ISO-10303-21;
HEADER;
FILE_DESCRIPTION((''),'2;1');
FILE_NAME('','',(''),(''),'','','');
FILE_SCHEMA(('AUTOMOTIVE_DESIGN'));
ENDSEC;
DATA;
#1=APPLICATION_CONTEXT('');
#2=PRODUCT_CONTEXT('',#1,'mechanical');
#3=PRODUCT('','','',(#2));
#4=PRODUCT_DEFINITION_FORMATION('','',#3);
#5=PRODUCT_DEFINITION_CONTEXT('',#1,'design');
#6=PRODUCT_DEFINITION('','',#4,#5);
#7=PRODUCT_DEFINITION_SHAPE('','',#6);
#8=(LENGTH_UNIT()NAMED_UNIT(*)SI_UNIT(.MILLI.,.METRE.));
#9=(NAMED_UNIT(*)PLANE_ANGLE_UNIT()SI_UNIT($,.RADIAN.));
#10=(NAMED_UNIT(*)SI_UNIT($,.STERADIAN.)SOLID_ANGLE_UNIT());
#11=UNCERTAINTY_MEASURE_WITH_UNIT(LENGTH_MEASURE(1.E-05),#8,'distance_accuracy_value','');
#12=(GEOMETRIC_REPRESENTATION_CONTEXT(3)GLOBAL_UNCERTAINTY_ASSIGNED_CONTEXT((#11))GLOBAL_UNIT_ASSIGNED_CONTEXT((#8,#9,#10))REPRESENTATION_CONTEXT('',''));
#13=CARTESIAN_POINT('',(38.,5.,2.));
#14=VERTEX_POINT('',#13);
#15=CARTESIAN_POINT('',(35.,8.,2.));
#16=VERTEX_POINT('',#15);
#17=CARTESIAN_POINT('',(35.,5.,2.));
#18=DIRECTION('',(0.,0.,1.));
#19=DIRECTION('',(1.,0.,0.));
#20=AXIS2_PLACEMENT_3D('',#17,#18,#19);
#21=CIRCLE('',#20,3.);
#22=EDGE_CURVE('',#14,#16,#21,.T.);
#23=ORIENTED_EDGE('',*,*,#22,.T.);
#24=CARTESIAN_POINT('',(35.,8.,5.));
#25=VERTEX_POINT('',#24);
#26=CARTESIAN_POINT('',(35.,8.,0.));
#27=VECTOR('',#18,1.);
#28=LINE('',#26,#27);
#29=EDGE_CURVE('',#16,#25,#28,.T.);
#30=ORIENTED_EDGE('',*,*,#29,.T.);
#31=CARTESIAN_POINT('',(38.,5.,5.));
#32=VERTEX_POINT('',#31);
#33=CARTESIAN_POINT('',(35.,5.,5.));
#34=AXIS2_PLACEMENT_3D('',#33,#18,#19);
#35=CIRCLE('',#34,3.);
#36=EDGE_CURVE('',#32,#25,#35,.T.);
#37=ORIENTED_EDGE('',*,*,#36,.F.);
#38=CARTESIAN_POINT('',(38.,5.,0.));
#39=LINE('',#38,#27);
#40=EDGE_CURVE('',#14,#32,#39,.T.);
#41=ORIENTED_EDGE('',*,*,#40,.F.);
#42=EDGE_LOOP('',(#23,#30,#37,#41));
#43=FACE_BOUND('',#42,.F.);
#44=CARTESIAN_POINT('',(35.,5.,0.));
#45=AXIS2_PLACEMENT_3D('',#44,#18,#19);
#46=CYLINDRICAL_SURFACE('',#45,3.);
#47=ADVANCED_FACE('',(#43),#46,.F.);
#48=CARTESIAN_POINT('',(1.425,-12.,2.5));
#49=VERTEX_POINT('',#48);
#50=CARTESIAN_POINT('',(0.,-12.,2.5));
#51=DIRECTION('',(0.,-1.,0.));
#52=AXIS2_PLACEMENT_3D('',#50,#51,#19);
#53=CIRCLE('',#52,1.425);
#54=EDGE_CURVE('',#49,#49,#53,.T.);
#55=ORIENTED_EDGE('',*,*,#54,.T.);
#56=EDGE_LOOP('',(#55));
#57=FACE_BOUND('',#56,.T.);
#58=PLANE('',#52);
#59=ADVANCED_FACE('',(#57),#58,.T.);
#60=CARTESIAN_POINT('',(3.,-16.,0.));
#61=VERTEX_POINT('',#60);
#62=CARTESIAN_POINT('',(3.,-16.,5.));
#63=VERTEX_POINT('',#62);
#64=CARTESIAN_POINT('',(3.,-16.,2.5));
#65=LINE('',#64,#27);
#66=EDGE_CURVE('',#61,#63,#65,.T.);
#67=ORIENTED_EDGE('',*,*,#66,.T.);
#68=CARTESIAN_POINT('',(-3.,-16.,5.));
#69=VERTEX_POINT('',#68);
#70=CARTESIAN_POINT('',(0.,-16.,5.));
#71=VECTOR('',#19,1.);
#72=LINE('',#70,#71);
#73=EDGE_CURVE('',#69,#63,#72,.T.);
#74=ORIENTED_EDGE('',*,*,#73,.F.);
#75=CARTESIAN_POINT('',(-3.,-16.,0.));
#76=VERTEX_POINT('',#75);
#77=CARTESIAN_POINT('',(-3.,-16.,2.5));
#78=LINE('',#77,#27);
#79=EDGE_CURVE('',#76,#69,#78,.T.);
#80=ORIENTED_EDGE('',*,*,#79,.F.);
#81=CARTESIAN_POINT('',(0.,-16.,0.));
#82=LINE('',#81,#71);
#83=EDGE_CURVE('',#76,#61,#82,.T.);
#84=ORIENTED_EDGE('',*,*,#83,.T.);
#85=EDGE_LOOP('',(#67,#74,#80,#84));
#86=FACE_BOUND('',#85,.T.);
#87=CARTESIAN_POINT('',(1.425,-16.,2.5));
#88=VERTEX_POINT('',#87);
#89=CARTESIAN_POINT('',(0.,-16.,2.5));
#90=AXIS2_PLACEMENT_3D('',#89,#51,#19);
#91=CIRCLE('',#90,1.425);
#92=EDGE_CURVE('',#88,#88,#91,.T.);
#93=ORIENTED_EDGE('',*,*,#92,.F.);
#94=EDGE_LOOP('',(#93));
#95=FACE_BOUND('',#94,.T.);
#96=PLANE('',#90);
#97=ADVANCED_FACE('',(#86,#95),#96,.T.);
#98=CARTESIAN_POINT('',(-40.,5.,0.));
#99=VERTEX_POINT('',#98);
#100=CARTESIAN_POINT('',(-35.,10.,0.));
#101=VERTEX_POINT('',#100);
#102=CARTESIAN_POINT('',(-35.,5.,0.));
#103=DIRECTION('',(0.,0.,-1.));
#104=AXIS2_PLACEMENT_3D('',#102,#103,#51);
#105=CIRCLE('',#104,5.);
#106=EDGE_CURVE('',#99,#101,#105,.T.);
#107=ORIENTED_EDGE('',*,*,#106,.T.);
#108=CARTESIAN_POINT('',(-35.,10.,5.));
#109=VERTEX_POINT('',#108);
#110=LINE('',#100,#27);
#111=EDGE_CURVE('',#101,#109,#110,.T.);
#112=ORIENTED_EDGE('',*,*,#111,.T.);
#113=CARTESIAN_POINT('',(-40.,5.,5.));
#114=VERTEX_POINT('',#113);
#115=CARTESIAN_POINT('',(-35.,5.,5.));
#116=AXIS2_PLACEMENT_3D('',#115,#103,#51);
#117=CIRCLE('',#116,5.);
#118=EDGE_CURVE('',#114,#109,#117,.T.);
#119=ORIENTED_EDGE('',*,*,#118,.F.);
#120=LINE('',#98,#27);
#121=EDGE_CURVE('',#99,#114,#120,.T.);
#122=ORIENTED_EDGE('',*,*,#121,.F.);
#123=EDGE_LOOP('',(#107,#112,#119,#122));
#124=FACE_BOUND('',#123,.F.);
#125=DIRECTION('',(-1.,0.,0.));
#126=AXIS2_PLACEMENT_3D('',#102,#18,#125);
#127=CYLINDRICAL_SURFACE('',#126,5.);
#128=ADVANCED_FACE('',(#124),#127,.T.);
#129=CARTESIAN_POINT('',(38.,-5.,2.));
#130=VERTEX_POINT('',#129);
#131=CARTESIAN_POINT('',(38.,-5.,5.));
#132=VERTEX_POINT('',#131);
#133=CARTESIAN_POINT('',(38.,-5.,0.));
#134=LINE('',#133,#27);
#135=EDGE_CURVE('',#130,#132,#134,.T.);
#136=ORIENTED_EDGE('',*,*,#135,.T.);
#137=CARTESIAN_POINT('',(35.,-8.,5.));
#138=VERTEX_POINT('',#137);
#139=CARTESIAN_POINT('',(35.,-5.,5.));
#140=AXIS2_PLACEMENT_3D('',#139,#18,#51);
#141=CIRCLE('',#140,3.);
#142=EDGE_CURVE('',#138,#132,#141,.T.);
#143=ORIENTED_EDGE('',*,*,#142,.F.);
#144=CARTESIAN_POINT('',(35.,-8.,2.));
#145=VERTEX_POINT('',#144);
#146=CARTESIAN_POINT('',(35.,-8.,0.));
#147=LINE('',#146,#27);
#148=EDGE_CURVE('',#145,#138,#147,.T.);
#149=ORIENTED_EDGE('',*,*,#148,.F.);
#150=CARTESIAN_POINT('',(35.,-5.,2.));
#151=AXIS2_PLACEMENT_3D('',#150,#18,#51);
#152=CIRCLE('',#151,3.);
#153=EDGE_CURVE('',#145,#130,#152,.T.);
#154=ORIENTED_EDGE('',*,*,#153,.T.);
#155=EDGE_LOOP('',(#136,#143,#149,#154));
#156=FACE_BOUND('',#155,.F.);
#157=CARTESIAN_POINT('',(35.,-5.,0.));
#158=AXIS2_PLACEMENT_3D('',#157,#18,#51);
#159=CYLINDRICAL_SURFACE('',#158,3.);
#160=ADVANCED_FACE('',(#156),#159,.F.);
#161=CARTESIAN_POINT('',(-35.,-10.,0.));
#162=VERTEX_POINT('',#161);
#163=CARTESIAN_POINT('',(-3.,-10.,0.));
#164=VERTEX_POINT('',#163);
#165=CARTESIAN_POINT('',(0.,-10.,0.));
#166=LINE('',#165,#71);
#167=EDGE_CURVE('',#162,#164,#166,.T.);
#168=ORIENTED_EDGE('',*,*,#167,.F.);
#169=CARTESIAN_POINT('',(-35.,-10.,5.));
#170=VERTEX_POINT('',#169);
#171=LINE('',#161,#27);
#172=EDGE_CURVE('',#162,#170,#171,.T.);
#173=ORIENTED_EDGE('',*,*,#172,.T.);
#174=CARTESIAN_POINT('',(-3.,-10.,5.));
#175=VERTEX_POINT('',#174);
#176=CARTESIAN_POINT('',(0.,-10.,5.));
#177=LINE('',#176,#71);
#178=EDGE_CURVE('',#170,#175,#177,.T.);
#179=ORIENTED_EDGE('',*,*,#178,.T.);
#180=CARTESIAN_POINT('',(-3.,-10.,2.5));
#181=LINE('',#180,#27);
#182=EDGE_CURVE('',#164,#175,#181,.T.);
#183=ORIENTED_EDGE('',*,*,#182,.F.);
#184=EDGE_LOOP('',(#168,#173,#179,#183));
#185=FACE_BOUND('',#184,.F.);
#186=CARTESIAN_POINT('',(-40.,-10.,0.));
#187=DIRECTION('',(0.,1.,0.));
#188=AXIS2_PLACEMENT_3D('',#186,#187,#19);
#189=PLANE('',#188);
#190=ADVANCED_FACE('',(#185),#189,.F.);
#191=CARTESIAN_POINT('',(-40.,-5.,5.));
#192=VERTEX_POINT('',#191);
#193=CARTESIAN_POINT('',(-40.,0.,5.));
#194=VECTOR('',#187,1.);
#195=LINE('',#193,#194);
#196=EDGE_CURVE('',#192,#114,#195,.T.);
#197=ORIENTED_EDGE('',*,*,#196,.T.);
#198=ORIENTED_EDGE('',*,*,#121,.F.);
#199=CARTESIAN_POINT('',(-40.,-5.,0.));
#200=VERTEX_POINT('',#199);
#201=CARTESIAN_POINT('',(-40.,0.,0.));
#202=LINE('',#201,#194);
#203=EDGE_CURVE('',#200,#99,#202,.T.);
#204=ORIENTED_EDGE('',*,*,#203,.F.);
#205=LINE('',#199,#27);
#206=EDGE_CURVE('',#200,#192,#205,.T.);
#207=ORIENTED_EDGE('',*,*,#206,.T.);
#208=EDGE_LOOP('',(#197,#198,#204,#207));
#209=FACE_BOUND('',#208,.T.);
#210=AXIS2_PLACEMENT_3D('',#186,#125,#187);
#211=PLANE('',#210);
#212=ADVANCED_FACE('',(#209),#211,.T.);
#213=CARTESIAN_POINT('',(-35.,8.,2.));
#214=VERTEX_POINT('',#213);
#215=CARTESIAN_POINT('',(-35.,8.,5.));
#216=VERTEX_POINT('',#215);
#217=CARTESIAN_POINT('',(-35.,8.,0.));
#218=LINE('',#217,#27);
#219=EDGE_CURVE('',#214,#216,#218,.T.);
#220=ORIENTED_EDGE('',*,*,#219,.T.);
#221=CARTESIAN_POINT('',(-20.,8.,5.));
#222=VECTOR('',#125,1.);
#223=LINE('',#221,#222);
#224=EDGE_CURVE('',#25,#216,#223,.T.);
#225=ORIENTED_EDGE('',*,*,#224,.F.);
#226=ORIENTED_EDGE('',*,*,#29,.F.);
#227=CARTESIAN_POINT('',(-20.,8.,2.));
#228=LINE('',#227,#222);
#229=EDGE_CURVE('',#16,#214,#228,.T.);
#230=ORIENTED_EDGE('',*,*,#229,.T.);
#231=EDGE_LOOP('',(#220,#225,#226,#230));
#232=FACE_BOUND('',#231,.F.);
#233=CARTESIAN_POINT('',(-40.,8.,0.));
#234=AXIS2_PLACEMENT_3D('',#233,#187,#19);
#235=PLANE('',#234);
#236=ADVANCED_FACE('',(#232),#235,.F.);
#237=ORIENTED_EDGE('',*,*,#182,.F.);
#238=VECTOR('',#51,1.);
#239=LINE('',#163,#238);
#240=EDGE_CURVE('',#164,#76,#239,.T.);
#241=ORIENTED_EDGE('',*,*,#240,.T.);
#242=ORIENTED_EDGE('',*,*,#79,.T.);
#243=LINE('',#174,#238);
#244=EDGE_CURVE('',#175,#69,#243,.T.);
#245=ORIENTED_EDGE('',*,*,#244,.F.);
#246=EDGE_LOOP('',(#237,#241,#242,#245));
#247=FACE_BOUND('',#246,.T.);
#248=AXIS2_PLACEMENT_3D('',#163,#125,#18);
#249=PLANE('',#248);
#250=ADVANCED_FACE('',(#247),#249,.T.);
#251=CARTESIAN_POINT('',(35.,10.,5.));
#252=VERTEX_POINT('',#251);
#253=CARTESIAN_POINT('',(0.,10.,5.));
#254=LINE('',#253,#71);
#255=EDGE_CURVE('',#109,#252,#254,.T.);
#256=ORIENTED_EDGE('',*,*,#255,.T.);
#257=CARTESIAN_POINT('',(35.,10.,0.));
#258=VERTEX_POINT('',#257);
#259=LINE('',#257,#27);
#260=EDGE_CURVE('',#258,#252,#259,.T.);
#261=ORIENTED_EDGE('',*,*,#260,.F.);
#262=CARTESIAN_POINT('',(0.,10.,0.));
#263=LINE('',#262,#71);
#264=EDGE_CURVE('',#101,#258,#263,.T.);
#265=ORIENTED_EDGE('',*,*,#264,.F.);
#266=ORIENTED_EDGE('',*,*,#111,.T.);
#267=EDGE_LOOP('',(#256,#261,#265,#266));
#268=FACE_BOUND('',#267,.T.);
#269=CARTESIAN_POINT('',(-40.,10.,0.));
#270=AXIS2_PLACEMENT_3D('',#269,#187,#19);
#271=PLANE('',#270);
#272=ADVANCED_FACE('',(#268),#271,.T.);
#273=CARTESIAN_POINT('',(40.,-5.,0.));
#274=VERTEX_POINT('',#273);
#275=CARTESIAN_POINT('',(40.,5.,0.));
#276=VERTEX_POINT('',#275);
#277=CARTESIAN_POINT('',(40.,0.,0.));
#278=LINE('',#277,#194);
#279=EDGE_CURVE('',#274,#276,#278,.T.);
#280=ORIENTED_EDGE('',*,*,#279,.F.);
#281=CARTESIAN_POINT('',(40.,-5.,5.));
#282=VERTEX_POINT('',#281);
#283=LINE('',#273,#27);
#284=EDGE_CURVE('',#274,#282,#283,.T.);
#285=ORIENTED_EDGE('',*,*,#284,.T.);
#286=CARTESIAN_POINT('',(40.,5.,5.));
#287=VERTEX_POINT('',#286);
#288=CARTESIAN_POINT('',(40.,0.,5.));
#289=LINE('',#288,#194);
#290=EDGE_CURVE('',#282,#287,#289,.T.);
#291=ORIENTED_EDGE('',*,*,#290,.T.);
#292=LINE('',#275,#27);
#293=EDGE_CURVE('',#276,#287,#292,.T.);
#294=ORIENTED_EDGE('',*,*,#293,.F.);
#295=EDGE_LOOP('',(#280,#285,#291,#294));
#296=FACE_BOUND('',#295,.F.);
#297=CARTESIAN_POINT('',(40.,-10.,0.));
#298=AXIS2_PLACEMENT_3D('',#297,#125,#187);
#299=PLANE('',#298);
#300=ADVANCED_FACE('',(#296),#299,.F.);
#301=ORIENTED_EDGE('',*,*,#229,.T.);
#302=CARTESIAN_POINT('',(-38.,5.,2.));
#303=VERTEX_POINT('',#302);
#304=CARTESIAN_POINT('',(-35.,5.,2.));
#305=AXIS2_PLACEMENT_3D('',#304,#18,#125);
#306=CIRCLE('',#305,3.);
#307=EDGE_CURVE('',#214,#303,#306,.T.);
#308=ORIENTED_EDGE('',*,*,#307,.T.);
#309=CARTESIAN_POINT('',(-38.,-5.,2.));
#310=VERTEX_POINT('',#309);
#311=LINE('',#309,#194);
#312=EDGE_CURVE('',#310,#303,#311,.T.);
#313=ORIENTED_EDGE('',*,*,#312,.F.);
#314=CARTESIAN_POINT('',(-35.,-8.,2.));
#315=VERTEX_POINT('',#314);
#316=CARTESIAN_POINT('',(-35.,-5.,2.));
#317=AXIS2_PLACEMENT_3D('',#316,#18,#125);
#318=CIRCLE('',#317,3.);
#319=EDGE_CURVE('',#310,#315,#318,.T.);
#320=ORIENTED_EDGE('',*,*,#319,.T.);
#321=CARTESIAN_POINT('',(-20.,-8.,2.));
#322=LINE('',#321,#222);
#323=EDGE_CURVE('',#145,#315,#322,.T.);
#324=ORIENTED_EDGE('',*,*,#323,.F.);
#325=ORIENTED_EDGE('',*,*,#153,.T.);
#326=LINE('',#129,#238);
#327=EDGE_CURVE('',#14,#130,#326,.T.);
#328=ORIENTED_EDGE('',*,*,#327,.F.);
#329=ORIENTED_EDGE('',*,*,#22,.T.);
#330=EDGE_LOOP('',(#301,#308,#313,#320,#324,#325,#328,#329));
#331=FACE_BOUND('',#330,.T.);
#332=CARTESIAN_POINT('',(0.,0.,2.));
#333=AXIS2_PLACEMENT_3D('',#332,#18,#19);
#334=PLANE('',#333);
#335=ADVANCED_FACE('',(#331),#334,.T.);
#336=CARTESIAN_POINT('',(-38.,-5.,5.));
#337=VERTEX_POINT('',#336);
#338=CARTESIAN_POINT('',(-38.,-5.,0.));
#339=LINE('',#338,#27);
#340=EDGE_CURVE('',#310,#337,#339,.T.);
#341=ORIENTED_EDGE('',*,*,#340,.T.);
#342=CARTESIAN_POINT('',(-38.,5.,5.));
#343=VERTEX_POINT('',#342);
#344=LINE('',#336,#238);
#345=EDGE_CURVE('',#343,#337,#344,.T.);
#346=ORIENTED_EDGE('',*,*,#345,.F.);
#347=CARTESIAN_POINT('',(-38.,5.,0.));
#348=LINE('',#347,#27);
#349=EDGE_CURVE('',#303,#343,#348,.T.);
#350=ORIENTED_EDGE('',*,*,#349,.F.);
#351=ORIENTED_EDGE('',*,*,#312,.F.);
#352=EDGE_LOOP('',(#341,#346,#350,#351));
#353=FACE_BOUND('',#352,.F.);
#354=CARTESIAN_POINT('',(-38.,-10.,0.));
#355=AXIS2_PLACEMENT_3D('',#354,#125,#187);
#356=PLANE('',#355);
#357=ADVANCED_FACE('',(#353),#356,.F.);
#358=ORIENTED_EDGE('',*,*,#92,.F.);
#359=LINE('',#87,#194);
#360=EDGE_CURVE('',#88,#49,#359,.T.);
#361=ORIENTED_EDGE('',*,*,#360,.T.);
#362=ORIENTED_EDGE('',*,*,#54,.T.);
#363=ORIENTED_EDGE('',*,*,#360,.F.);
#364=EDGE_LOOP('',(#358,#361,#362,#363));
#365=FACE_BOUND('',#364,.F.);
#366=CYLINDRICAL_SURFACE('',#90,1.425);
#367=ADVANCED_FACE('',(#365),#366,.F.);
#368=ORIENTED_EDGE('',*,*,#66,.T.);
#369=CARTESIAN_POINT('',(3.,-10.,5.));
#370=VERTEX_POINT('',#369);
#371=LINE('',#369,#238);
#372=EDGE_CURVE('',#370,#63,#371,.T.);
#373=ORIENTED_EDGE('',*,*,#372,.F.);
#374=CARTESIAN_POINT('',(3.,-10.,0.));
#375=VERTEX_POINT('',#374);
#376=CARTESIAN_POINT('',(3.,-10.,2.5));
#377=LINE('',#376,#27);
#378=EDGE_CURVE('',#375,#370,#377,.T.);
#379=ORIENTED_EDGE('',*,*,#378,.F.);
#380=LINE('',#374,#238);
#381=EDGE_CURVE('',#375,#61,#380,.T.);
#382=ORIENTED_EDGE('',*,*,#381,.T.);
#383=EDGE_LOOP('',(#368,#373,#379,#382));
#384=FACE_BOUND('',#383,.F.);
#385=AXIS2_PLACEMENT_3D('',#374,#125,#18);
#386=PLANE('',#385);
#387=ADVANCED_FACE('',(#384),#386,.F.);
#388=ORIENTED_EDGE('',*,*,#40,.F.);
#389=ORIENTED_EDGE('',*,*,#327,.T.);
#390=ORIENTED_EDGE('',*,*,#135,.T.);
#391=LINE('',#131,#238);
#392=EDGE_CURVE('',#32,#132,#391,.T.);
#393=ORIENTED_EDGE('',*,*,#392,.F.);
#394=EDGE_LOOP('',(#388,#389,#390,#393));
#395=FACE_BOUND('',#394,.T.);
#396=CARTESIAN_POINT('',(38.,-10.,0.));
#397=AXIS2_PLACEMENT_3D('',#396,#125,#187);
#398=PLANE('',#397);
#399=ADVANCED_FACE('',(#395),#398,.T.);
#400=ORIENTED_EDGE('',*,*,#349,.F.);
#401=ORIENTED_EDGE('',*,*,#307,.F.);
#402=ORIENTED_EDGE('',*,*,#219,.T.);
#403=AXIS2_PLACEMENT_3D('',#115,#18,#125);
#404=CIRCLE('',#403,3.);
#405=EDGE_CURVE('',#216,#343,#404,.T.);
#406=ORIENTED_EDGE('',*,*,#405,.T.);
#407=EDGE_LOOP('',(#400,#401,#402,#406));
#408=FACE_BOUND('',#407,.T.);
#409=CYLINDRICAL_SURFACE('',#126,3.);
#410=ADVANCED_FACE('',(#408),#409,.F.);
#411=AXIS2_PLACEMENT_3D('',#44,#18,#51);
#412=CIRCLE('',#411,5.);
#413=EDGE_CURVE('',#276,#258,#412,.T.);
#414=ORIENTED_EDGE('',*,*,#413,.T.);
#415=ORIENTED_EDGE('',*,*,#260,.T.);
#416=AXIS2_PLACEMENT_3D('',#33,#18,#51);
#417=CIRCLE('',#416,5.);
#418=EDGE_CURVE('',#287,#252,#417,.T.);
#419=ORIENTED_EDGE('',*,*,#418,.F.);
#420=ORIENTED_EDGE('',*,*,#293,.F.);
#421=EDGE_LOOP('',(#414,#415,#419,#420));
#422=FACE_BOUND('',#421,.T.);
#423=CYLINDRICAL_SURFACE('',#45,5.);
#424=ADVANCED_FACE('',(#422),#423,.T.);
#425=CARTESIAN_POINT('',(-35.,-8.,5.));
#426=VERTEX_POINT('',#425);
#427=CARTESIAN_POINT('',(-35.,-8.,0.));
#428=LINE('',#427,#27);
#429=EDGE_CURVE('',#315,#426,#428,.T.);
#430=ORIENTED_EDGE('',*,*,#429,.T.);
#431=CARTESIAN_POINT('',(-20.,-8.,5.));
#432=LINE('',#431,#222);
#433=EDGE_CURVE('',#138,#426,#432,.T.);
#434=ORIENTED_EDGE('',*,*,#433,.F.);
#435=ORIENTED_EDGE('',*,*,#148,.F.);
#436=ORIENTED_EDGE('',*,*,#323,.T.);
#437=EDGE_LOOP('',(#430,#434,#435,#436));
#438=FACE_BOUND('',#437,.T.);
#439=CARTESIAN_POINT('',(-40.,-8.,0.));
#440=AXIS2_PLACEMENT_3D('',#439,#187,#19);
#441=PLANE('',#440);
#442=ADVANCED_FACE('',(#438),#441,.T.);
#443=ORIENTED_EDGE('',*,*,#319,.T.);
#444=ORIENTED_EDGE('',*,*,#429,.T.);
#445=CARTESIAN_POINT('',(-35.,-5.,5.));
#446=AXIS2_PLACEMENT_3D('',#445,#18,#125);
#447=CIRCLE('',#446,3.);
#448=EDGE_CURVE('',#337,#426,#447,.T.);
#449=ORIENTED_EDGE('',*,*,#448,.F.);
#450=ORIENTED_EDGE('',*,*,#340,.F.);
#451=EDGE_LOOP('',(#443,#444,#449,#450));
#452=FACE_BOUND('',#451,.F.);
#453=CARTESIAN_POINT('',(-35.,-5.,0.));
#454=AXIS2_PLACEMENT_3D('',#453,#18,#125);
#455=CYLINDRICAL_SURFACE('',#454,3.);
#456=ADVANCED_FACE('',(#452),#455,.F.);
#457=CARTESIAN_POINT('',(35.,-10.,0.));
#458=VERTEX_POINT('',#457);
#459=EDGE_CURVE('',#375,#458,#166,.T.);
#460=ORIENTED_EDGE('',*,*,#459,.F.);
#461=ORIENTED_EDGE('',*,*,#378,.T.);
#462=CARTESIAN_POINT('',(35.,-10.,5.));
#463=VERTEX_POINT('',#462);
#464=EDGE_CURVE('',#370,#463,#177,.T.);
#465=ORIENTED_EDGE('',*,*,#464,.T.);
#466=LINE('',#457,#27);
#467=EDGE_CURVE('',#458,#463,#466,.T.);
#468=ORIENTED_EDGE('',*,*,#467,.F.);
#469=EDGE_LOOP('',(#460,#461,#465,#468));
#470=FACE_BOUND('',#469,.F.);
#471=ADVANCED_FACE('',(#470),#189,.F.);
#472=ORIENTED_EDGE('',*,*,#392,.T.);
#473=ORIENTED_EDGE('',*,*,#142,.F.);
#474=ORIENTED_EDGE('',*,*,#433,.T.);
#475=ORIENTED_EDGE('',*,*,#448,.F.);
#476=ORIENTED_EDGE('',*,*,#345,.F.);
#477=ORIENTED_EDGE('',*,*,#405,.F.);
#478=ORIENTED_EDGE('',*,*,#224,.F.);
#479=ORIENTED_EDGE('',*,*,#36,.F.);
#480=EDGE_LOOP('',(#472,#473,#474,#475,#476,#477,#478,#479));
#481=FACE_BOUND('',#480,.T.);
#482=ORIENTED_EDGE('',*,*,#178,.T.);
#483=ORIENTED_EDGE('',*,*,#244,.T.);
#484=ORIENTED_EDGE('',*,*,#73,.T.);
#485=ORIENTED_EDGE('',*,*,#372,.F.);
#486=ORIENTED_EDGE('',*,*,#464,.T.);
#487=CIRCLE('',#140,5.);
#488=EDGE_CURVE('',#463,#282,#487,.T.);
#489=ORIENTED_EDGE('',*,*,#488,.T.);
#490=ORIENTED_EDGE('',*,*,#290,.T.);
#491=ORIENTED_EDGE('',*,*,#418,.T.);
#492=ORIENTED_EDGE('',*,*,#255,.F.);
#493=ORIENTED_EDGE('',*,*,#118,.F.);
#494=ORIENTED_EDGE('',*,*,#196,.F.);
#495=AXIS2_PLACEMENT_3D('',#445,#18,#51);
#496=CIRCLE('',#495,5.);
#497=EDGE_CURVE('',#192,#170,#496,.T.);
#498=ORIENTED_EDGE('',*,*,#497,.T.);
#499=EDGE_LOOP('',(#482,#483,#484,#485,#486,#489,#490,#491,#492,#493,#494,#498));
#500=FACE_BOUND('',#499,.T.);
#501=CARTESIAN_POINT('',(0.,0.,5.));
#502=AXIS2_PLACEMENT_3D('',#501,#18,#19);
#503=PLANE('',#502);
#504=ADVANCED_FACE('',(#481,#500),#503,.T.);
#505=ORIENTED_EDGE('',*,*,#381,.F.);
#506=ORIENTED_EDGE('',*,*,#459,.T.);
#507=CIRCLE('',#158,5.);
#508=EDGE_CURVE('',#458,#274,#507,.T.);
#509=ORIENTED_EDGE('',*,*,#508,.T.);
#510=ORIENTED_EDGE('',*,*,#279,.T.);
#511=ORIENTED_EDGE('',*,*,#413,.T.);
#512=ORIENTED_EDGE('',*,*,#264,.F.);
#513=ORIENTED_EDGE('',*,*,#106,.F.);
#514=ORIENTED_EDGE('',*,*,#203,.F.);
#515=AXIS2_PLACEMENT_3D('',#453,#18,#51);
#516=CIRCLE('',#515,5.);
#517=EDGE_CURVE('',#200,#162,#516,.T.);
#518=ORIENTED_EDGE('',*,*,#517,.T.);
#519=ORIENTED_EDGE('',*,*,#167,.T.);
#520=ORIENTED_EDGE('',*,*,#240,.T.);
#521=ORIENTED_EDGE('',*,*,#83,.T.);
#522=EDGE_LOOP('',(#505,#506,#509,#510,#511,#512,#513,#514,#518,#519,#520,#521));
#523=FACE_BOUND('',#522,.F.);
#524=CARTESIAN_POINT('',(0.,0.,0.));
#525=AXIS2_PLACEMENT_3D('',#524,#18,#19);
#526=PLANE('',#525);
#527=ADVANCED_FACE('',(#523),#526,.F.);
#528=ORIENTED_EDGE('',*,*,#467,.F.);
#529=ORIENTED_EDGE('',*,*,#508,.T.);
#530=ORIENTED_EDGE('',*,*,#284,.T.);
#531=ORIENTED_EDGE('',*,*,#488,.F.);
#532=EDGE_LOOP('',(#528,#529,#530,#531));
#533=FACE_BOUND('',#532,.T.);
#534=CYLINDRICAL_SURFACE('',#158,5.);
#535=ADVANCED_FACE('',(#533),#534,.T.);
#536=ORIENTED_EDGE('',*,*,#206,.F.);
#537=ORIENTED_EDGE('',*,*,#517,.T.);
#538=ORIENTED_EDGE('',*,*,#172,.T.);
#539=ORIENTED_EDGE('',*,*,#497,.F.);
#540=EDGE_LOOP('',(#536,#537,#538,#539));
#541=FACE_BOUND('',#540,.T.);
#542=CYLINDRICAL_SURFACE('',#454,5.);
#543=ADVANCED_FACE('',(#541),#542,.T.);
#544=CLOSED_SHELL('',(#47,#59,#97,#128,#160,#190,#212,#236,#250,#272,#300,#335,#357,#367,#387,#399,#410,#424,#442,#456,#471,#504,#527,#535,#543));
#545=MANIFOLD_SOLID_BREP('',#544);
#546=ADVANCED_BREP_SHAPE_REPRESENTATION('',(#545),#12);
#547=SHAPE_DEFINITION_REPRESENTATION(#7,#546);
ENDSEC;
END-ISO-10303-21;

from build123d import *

# Parameters (mm, degrees)
SKETCH2_W           = 80
SKETCH2_H           = 20
BOSS_EXTRUDE1_DEPTH = 5
FILLET1_R           = 5
SHELL1_T            = -2
SKETCH3_W           = 6
SKETCH3_H           = 5
BOSS_EXTRUDE2_DEPTH = 6
SKETCH4_R           = 1.425
CUT_EXTRUDE1_DEPTH  = 4


with BuildPart() as part:
    # Sketch2 → Boss-Extrude1 (new body)
    with BuildSketch(Plane.XY):
        Rectangle(SKETCH2_W, SKETCH2_H)
    extrude(amount=BOSS_EXTRUDE1_DEPTH)

    # Fillet1
    fillet1_edges = [part.edges().sort_by_distance(p)[0] for p in [
        (-40, 10, 2.5),
        (40, 10, 2.5),
        (40, -10, 2.5),
        (-40, -10, 2.5),
    ]]
    fillet(fillet1_edges, radius=FILLET1_R)

    # Shell1
    shell1_openings = [part.faces().sort_by_distance(p)[0] for p in [
        (0, 0, 5),
    ]]
    offset(amount=SHELL1_T, openings=shell1_openings, kind=Kind.INTERSECTION)

    # Sketch3 → Boss-Extrude2 (add)
    with BuildSketch(Plane.XZ.offset(10)):
        with Locations((0, 2.5)):
            Rectangle(SKETCH3_W, SKETCH3_H)
    extrude(amount=BOSS_EXTRUDE2_DEPTH)

    # Sketch4 → Cut-Extrude1 (cut)
    with BuildSketch(Plane.XZ.offset(16)):
        with Locations((0, 2.5)):
            Circle(SKETCH4_R)
    extrude(amount=-CUT_EXTRUDE1_DEPTH, mode=Mode.SUBTRACT)


solid = part.part
